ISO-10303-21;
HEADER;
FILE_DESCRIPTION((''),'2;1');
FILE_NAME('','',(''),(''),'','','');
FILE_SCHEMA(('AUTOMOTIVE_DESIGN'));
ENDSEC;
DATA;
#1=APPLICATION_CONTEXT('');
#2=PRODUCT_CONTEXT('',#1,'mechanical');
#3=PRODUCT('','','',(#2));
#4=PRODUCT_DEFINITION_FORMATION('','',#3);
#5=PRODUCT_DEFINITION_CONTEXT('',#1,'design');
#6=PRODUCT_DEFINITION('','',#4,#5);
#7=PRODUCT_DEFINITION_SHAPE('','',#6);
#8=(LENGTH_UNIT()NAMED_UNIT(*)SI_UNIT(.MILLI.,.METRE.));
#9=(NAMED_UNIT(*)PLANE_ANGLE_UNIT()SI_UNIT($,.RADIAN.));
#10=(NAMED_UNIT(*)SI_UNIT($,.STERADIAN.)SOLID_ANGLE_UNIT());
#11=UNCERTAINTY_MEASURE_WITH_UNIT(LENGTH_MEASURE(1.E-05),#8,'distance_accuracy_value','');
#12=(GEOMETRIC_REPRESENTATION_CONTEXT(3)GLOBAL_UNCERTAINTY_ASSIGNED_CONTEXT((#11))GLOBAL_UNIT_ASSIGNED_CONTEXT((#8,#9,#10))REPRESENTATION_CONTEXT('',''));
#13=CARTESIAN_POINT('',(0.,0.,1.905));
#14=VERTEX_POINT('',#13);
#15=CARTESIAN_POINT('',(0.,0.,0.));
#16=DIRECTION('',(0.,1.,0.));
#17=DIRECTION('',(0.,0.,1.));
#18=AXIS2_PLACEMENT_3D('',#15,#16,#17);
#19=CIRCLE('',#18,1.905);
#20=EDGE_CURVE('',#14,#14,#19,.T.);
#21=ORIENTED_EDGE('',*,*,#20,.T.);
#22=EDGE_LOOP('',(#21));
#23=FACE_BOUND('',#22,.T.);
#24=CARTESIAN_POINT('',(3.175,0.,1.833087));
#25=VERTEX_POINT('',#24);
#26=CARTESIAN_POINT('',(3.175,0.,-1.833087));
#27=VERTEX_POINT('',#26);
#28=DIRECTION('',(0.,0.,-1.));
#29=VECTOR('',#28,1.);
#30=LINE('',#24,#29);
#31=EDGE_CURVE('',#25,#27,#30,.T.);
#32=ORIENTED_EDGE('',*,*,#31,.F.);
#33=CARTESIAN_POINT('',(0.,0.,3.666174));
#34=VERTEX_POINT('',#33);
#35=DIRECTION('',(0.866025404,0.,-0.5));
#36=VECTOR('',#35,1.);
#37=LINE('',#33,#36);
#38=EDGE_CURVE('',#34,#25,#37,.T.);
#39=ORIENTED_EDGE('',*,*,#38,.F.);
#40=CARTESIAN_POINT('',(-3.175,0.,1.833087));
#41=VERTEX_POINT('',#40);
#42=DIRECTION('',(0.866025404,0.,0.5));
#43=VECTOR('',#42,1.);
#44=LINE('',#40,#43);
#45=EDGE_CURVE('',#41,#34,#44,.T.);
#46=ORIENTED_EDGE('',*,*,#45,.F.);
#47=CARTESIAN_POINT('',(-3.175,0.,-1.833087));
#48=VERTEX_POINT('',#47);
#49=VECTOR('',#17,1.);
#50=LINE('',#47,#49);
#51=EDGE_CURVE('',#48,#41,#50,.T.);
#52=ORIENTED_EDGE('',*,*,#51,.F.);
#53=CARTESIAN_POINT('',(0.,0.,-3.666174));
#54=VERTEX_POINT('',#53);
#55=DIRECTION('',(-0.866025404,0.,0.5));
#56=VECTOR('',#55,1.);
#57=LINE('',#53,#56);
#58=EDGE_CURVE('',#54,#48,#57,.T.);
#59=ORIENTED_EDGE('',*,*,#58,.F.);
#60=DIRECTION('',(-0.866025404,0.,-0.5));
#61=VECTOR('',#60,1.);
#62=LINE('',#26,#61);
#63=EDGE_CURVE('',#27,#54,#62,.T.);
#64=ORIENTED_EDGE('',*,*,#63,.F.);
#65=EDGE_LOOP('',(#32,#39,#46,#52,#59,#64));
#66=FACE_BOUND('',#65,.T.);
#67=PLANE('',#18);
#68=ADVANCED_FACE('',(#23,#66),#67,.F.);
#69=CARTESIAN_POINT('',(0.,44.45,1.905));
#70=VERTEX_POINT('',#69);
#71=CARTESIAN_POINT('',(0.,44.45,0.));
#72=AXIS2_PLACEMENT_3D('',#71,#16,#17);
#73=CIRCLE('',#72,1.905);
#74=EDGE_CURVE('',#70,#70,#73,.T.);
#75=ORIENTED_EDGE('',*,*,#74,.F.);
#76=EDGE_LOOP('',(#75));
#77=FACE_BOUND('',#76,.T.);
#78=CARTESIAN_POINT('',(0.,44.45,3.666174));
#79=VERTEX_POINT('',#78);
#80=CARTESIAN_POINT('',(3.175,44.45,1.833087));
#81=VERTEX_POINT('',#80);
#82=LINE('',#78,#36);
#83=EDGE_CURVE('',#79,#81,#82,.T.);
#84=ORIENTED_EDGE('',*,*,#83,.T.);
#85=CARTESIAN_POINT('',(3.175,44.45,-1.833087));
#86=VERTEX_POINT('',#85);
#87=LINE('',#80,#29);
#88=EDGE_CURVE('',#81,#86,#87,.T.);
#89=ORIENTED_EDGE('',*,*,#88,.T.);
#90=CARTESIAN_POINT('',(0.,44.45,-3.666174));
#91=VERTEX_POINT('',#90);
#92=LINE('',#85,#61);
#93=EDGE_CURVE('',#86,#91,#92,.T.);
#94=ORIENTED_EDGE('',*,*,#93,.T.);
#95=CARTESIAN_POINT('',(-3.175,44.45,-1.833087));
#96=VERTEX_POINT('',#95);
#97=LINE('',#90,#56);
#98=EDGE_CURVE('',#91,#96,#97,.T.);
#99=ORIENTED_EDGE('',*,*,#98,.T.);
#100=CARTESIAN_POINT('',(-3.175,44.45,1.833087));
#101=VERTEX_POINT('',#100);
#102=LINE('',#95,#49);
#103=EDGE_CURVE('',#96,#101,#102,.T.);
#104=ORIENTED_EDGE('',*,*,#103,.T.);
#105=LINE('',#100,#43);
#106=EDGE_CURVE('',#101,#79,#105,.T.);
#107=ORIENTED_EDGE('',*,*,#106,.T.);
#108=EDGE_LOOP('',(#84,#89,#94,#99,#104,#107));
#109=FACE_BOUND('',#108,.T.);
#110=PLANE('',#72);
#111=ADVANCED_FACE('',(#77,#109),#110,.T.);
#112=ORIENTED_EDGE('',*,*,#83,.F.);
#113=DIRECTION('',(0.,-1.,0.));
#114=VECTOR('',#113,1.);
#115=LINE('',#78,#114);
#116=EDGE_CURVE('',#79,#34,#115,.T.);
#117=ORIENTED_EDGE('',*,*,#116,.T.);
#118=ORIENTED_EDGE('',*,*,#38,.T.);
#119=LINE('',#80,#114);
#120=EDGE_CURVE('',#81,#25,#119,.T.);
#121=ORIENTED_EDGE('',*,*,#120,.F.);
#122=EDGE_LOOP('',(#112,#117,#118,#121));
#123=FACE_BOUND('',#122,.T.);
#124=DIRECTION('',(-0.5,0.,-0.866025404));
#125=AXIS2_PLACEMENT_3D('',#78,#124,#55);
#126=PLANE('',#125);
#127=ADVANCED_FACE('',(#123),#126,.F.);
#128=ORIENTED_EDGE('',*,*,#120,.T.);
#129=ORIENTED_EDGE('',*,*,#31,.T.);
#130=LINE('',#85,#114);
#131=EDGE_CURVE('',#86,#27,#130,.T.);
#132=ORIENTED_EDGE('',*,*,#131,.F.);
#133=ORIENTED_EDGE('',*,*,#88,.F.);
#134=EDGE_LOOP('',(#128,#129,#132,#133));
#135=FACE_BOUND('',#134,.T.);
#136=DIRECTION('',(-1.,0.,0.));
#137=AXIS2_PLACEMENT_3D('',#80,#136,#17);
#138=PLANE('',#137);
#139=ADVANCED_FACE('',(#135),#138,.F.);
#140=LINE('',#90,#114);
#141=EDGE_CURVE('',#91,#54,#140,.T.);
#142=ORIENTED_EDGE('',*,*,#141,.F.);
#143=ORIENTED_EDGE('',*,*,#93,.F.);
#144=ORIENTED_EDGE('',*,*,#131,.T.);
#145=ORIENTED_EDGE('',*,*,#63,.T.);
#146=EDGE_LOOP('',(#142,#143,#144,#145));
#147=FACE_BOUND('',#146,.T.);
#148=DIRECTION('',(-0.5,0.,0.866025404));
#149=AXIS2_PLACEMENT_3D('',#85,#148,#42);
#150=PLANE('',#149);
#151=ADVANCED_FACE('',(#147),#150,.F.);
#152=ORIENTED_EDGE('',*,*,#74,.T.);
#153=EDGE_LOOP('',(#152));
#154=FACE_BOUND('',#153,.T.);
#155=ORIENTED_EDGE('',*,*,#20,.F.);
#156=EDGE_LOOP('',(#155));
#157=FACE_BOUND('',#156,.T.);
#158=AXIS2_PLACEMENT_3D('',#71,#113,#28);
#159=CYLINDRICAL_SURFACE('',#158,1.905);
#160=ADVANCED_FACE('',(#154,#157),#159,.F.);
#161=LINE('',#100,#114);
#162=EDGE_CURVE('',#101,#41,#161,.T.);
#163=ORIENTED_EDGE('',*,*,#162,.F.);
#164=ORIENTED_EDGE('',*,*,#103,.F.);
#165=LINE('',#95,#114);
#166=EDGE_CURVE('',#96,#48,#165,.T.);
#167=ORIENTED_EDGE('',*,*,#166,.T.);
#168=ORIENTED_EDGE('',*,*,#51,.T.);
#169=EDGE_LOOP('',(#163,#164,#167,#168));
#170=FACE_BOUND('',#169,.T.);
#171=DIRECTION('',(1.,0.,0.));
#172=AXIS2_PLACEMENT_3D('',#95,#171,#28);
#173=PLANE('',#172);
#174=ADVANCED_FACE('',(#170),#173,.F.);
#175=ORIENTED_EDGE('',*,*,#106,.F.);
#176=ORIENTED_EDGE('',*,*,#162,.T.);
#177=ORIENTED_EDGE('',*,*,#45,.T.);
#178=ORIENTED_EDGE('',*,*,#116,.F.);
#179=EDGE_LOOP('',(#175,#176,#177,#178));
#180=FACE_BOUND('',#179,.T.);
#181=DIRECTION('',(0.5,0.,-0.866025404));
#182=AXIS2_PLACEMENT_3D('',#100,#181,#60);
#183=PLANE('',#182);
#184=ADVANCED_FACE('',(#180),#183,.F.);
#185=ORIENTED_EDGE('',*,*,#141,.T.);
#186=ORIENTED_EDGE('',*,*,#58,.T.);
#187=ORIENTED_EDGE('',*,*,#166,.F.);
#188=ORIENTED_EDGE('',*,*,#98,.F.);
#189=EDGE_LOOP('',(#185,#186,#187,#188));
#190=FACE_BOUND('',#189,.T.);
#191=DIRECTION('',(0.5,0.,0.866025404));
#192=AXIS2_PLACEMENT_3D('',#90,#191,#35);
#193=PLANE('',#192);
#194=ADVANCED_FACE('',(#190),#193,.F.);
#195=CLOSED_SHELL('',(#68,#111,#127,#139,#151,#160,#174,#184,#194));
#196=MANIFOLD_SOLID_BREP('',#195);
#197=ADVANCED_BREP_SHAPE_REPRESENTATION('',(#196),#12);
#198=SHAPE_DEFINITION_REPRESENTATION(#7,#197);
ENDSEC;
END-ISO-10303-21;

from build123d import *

# Parameters (mm, degrees)
SKETCH1_R           = 1.905
BOSS_EXTRUDE1_DEPTH = 44.45


with BuildPart() as part:
    # Sketch1 → Boss-Extrude1 (new body)
    with BuildSketch(Plane(origin=(0, 0, 0), x_dir=(1, 0, 0), z_dir=(0, 1, 0))):
        Polygon((0, -3.666174209), (3.175, -1.833087105), (3.175, 1.833087105), (0, 3.666174209), (-3.175, 1.833087105), (-3.175, -1.833087105), align=None)
        Circle(SKETCH1_R, mode=Mode.SUBTRACT)
    extrude(amount=BOSS_EXTRUDE1_DEPTH)


solid = part.part
